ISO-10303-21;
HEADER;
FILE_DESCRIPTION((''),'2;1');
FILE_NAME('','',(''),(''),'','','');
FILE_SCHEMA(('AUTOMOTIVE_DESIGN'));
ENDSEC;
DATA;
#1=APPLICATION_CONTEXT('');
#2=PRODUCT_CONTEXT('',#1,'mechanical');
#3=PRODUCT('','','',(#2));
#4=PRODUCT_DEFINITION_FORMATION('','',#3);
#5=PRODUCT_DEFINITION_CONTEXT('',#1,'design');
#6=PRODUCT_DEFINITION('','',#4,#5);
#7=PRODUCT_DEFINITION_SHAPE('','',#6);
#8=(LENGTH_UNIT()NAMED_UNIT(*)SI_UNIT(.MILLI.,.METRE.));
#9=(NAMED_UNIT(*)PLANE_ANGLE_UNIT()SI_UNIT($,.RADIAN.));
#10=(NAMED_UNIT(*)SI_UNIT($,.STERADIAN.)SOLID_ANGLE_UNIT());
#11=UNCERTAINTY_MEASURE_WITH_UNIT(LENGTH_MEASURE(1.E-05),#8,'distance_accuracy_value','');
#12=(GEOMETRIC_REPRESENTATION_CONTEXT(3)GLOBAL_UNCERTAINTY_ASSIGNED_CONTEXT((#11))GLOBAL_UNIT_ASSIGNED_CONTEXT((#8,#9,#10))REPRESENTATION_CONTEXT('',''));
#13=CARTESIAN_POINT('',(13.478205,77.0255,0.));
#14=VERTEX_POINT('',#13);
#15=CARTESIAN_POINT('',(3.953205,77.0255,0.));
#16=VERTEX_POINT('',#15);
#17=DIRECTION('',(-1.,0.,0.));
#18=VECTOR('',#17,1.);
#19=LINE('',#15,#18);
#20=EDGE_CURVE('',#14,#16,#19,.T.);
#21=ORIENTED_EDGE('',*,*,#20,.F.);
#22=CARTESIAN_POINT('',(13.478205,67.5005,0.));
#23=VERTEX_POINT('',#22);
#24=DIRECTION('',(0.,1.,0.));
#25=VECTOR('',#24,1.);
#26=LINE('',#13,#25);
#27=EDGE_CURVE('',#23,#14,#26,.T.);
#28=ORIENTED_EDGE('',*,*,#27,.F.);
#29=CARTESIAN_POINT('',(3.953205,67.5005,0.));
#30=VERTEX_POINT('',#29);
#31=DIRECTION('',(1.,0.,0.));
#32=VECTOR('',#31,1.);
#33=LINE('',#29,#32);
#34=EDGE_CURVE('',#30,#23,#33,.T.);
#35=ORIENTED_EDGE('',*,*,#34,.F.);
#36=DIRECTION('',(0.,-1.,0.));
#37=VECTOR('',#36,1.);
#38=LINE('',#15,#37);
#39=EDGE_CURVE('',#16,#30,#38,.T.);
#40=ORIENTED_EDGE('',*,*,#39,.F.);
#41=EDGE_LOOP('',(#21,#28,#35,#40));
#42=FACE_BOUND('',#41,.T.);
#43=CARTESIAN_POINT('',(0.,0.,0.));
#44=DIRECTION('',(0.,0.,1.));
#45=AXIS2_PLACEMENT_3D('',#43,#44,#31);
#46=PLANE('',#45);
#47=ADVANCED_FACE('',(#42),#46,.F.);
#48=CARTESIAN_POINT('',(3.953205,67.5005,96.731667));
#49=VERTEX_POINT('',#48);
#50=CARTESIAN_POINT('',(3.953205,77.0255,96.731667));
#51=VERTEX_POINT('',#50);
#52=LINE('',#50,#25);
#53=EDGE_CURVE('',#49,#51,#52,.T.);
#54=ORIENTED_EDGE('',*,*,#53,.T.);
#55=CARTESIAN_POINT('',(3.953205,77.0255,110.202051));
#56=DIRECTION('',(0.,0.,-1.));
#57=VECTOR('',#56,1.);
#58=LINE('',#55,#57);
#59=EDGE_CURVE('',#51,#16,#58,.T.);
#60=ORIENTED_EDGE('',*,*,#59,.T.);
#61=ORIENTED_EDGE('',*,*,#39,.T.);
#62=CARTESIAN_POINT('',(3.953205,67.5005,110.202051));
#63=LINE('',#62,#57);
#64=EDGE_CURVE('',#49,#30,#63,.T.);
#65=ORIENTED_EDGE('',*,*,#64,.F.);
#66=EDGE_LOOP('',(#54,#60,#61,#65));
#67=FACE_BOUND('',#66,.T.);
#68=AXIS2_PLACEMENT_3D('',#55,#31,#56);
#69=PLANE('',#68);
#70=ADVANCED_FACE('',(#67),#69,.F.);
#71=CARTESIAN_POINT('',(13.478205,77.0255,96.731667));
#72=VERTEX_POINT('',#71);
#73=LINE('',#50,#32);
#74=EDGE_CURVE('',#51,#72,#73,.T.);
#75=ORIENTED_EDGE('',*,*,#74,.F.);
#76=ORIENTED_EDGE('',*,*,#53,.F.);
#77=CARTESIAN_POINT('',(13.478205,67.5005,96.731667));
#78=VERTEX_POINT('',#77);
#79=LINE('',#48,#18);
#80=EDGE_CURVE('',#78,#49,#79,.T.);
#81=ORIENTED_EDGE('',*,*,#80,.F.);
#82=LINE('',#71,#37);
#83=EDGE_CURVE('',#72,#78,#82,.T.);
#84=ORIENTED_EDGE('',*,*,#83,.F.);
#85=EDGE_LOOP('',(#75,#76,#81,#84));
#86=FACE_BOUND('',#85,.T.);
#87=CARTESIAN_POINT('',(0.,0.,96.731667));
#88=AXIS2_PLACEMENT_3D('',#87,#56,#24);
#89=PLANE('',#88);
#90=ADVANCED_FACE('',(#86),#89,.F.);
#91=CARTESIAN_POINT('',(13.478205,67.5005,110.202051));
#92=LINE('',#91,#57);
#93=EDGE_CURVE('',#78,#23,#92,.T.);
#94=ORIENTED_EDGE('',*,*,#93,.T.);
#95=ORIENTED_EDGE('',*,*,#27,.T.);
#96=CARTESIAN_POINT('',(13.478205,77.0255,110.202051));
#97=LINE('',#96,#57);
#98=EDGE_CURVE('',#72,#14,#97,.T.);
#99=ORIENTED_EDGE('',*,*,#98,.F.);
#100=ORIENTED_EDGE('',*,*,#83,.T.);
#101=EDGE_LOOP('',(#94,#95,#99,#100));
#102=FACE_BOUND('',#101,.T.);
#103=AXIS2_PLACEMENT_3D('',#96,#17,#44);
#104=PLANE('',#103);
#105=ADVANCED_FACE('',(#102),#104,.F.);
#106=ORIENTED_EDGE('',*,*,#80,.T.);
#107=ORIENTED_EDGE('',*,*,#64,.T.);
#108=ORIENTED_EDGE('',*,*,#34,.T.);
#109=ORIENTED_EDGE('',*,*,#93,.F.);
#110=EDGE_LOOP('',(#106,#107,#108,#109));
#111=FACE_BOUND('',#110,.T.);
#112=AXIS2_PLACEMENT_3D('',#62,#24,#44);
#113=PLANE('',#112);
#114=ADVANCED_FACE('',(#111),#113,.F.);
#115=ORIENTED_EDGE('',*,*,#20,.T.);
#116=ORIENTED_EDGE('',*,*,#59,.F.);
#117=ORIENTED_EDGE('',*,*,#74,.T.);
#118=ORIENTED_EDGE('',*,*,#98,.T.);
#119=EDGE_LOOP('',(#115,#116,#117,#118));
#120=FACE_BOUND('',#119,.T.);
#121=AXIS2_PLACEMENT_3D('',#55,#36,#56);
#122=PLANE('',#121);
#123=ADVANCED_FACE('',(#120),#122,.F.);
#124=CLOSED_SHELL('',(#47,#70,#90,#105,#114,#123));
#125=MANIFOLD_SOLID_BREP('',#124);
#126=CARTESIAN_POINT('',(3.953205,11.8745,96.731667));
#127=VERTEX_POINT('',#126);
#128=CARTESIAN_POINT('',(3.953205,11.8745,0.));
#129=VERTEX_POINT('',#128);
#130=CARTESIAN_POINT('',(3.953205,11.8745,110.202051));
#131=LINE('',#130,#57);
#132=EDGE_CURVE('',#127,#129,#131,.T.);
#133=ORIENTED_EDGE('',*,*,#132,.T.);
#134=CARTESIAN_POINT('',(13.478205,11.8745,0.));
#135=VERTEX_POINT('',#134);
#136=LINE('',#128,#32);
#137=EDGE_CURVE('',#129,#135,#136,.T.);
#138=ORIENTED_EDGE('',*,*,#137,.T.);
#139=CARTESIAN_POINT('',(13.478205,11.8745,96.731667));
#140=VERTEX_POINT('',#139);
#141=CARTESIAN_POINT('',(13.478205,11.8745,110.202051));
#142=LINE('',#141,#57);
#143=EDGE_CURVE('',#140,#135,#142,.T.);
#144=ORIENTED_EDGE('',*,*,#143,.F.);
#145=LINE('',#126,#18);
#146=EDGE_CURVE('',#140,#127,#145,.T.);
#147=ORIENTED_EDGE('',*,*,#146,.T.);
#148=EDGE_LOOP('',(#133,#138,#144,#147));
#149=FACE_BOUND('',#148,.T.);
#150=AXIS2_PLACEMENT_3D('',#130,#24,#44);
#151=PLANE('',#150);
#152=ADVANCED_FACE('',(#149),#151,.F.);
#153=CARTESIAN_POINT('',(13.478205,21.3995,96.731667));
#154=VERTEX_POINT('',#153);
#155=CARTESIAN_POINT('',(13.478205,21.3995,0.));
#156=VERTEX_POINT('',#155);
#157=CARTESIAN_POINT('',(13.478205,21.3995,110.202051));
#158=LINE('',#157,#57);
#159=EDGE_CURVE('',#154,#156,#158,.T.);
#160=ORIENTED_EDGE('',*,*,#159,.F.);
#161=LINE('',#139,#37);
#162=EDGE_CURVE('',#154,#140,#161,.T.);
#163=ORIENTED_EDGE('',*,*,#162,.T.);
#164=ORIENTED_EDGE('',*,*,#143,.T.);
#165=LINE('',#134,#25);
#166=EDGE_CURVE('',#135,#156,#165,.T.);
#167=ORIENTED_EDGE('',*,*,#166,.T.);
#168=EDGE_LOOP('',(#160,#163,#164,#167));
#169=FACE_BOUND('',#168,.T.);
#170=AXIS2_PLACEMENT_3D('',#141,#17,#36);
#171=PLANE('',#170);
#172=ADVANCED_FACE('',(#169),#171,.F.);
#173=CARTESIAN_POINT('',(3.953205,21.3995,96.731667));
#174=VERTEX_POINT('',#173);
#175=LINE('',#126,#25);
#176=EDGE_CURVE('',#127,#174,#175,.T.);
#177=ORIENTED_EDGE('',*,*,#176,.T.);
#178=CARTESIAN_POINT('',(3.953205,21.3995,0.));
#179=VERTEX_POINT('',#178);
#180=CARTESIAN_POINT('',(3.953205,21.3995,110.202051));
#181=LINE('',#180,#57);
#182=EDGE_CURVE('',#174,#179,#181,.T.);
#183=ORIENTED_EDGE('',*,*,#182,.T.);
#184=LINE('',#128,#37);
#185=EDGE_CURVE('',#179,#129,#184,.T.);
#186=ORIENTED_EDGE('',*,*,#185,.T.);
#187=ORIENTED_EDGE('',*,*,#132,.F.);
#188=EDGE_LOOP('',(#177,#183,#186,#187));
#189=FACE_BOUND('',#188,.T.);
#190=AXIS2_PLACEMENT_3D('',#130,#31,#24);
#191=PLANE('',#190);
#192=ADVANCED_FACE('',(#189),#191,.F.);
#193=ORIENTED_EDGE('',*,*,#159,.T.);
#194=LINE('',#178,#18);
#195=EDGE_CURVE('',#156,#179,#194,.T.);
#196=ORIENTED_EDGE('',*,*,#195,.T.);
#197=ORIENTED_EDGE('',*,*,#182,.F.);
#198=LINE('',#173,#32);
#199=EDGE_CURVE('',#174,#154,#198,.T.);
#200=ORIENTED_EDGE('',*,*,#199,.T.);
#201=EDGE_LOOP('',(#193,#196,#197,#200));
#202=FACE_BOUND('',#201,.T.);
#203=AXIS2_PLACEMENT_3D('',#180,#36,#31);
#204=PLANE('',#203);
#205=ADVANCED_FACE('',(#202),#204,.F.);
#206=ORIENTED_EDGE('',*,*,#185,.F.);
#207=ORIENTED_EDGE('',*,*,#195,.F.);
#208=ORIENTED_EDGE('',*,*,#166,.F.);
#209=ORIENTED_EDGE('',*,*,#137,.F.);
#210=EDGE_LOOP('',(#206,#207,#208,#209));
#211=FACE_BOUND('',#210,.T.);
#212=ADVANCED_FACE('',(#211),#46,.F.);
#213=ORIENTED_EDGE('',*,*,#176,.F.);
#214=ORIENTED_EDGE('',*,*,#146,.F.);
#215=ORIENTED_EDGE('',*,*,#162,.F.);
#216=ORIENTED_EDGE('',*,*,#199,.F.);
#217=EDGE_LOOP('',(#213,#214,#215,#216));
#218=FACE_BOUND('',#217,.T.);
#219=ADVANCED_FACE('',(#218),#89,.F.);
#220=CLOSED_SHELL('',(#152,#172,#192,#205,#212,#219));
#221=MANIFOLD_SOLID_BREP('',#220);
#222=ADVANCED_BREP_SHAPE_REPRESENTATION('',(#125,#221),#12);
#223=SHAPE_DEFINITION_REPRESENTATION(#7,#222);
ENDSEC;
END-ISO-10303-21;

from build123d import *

# Parameters (mm, degrees)
SKETCH1_W             = 9.525
SKETCH1_H             = 9.525
BOSS_EXTRUDE1_DEPTH   = 96.731666667
BOSS_EXTRUDE1_2_DEPTH = 96.731666667


with BuildPart() as part:
    # Sketch1 → Boss-Extrude1 (new body)
    with BuildSketch(Plane.XY):
        with Locations((8.715704544, 72.263)):
            Rectangle(SKETCH1_W, SKETCH1_H)
    extrude(amount=BOSS_EXTRUDE1_DEPTH)


with BuildPart() as body_2:
    # Sketch1 → Boss-Extrude1 2 (new body)
    with BuildSketch(Plane.XY):
        with Locations((8.715704544, 16.637)):
            Rectangle(SKETCH1_W, SKETCH1_H)
    extrude(amount=BOSS_EXTRUDE1_2_DEPTH)


solid = Compound([part.part, body_2.part])
